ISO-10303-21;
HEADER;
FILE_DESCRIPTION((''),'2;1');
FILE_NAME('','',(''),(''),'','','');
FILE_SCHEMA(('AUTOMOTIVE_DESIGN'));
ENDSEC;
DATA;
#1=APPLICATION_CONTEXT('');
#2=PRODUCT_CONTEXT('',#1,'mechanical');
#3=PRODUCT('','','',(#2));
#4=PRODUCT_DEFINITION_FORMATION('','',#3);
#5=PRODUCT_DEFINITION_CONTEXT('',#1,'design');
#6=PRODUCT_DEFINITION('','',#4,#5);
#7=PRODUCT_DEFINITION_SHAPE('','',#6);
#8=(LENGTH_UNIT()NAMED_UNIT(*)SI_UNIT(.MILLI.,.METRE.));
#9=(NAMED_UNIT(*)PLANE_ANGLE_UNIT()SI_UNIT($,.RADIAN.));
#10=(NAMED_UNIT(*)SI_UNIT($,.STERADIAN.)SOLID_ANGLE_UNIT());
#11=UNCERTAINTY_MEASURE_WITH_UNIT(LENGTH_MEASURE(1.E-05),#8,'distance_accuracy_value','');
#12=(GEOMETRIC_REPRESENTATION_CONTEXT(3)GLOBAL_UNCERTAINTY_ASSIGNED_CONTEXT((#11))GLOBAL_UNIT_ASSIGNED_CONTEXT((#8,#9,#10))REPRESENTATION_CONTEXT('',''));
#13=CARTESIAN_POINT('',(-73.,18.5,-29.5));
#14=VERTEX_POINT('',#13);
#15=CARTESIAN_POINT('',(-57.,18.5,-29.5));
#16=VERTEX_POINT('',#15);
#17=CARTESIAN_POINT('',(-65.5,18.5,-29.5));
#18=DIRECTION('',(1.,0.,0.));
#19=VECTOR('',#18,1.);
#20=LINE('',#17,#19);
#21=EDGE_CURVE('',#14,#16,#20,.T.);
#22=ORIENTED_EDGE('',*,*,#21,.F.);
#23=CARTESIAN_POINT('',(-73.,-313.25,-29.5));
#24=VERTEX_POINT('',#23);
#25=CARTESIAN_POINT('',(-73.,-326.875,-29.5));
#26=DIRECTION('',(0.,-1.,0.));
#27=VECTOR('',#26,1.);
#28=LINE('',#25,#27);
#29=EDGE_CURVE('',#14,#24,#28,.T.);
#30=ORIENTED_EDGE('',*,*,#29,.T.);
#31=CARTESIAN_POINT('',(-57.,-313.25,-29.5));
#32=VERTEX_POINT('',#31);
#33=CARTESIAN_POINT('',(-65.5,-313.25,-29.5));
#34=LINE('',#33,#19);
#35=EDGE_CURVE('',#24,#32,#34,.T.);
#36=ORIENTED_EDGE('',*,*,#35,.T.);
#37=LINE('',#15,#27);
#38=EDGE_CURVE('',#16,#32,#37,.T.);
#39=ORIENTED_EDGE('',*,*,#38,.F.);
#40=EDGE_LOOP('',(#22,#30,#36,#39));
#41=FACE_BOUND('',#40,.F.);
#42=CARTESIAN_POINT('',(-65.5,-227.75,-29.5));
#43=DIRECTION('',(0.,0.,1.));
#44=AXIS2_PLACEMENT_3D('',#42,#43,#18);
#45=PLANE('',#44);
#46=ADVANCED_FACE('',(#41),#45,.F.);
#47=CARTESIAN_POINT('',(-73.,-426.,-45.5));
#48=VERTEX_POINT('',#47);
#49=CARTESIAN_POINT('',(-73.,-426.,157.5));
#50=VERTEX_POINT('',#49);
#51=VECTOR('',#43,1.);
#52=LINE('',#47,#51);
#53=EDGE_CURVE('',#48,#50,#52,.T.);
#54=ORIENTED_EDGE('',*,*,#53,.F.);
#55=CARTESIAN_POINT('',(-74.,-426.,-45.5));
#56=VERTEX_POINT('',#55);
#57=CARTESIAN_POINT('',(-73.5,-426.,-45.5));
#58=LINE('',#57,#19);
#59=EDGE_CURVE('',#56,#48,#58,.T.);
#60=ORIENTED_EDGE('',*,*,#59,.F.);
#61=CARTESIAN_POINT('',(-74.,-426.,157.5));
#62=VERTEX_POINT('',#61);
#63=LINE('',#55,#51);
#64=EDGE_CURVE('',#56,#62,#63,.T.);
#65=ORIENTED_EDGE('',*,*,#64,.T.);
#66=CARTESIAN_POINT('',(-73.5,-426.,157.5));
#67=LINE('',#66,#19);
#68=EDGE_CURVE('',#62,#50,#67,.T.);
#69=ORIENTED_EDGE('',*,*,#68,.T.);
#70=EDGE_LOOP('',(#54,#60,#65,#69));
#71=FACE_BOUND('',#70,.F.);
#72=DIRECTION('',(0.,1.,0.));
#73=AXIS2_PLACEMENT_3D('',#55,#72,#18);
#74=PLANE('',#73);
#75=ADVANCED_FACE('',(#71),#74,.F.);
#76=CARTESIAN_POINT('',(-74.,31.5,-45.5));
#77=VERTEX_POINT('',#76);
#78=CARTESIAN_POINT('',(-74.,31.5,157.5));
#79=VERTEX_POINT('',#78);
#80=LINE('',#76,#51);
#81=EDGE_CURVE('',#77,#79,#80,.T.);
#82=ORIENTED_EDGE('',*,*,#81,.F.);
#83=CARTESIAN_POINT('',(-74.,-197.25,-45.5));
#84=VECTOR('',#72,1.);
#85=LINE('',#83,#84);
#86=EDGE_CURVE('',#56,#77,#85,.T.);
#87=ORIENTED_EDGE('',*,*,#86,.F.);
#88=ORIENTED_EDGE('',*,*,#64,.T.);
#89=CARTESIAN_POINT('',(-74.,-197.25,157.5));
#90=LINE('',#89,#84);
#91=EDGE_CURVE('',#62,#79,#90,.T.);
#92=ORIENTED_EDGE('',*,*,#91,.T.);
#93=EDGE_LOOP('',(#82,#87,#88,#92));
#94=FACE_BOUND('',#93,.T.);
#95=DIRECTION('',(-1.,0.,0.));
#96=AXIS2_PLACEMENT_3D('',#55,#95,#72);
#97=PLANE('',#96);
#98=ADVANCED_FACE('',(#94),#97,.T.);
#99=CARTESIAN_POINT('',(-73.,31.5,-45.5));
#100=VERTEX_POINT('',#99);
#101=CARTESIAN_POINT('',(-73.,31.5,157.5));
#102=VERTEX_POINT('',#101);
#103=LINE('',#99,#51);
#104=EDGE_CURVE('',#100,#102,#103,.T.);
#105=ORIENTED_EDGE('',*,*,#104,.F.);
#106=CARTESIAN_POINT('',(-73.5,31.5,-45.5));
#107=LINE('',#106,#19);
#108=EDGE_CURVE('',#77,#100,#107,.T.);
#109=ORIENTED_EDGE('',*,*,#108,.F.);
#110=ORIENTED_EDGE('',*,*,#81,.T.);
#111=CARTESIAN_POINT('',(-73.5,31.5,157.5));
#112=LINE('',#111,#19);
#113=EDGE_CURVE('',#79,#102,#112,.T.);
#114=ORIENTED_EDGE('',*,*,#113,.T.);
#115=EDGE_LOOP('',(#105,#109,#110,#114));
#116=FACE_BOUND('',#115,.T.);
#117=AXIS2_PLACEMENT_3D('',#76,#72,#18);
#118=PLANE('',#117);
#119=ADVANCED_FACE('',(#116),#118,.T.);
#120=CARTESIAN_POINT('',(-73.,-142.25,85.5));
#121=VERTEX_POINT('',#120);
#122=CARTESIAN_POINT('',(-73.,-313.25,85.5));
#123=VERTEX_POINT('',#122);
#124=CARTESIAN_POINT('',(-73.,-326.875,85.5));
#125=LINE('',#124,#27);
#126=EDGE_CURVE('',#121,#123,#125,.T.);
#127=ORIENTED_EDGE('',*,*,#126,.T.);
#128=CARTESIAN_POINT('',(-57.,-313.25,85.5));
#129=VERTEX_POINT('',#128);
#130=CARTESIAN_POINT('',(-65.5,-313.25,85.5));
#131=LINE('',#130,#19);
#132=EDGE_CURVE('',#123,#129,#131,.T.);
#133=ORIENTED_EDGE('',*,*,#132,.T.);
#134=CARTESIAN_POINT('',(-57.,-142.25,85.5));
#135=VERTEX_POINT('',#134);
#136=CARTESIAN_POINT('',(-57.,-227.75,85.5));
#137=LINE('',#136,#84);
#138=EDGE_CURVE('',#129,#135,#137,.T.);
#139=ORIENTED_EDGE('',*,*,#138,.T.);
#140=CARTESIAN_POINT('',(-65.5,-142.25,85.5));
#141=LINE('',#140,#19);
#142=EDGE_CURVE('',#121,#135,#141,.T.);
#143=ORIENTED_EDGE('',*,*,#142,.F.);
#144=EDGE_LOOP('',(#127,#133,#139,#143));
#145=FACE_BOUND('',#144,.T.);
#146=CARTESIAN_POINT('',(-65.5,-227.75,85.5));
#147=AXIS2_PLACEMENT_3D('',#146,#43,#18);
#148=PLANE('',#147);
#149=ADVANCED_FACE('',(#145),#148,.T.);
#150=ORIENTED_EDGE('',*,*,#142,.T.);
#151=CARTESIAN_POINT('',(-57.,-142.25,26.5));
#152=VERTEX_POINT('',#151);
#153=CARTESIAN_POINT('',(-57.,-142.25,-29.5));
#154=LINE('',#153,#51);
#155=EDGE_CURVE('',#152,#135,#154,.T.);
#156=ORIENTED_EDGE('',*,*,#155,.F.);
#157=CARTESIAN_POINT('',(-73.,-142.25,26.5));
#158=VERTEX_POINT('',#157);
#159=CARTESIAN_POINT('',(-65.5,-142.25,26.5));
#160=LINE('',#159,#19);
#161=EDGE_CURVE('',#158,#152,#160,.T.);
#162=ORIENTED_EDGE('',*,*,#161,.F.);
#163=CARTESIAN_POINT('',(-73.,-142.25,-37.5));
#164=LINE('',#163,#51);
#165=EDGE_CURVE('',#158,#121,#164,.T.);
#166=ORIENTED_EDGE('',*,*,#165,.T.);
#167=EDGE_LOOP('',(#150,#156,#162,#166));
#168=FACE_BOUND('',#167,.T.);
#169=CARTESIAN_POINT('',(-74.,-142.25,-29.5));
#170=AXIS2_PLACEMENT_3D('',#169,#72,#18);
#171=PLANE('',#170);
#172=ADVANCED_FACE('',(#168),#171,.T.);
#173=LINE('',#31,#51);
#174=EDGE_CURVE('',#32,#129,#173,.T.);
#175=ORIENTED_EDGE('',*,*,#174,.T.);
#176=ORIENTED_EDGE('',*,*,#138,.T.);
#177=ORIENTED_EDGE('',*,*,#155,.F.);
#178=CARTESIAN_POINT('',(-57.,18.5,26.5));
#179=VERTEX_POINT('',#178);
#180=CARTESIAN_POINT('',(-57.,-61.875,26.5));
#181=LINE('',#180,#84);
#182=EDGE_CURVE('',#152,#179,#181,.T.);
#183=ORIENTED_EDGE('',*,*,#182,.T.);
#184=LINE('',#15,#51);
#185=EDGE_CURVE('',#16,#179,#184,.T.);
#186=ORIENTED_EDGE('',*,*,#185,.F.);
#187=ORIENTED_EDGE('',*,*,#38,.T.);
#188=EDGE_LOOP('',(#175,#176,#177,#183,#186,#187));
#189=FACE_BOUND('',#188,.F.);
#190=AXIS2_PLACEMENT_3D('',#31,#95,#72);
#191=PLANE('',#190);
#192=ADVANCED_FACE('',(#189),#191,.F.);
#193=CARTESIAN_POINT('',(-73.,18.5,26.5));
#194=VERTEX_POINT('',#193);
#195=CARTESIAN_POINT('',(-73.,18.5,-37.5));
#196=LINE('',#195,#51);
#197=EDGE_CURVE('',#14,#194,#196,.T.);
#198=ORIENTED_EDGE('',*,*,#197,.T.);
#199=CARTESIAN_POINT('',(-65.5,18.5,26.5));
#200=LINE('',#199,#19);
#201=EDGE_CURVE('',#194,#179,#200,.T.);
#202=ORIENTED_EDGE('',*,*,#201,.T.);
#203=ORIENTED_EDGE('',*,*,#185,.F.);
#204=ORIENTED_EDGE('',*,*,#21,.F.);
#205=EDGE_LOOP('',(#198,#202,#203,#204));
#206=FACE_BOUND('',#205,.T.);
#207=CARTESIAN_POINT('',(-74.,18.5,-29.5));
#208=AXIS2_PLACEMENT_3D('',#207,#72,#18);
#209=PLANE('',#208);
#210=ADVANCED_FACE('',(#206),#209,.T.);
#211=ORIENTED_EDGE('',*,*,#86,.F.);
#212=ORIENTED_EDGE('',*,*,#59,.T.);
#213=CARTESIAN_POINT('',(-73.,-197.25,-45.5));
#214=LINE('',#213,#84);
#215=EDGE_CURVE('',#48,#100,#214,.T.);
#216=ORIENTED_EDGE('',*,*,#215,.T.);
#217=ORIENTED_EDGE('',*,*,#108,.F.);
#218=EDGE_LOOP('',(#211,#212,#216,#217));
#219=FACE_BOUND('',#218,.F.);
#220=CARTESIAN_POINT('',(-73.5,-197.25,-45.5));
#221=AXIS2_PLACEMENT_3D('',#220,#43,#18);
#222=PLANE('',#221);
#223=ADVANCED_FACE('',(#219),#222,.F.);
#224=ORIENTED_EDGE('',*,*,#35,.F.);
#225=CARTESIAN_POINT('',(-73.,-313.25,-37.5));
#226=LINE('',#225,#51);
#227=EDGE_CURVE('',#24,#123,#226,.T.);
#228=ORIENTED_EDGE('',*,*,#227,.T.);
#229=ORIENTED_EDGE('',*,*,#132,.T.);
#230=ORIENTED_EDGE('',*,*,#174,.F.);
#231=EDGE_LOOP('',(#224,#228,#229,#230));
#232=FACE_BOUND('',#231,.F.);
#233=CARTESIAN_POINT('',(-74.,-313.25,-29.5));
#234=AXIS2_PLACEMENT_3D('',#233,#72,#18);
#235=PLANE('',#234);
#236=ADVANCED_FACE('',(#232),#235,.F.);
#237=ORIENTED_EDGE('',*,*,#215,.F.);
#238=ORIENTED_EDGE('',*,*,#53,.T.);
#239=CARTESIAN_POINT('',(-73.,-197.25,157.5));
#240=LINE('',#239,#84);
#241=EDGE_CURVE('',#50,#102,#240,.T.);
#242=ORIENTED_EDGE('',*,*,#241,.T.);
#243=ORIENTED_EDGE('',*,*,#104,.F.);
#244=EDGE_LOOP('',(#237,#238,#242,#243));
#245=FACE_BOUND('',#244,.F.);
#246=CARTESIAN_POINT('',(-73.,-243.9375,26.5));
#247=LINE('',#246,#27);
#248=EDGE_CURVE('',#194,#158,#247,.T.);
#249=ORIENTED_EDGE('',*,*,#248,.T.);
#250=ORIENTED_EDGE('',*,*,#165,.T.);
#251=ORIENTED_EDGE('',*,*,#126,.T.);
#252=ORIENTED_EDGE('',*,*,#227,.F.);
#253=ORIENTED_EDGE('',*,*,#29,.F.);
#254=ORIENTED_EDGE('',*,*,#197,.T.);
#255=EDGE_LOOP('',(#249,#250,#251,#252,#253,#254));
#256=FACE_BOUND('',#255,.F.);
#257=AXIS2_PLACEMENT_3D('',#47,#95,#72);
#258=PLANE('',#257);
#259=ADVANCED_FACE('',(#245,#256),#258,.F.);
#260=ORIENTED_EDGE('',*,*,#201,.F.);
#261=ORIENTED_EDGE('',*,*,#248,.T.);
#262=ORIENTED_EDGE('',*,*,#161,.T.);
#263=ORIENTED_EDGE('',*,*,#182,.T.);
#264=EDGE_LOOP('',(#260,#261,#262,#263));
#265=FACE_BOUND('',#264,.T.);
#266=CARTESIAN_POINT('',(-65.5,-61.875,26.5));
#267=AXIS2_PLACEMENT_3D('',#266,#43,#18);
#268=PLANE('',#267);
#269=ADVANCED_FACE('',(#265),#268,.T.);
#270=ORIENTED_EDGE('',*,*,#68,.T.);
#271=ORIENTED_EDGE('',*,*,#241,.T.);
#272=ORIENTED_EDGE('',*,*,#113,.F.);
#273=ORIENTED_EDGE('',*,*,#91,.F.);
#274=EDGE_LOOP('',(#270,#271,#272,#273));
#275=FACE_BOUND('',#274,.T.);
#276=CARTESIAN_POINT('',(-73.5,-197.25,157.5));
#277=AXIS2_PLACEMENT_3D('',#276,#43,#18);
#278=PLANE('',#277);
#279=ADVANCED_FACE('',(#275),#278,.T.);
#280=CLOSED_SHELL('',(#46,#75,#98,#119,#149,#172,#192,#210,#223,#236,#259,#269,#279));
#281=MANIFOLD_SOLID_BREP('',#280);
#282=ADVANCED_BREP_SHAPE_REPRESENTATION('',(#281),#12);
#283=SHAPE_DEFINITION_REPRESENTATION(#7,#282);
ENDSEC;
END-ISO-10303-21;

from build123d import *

# Parameters (mm, degrees)
BOX012_W     = 17
BOX012_H     = 171
BOX012_DEPTH = 115
BOX013_W     = 1
BOX013_H     = 457.5
BOX013_DEPTH = 203
BOX011_W     = 17
BOX011_H     = 160.75
BOX011_DEPTH = 56


with BuildPart() as slots:
    # Box012 → Box012 (new body)
    with BuildSketch(Plane(origin=(-74, -313.25, -29.5), x_dir=(1, 0, 0), z_dir=(0, 0, 1))):
        with Locations((8.5, 85.5)):
            Rectangle(BOX012_W, BOX012_H)
    extrude(amount=BOX012_DEPTH)


with BuildPart() as back:
    # Box013 → Box013 (new body)
    with BuildSketch(Plane(origin=(-74, -426, -45.5), x_dir=(1, 0, 0), z_dir=(0, 0, 1))):
        with Locations((0.5, 228.75)):
            Rectangle(BOX013_W, BOX013_H)
    extrude(amount=BOX013_DEPTH)


with BuildPart() as tower_back:
    # Box011 → Box011 (new body)
    with BuildSketch(Plane(origin=(-74, -142.25, -29.5), x_dir=(1, 0, 0), z_dir=(0, 0, 1))):
        with Locations((8.5, 80.375)):
            Rectangle(BOX011_W, BOX011_H)
    extrude(amount=BOX011_DEPTH)

    # Fusion037: union Slots, Back
    add(slots.part)
    add(back.part)


solid = tower_back.part
